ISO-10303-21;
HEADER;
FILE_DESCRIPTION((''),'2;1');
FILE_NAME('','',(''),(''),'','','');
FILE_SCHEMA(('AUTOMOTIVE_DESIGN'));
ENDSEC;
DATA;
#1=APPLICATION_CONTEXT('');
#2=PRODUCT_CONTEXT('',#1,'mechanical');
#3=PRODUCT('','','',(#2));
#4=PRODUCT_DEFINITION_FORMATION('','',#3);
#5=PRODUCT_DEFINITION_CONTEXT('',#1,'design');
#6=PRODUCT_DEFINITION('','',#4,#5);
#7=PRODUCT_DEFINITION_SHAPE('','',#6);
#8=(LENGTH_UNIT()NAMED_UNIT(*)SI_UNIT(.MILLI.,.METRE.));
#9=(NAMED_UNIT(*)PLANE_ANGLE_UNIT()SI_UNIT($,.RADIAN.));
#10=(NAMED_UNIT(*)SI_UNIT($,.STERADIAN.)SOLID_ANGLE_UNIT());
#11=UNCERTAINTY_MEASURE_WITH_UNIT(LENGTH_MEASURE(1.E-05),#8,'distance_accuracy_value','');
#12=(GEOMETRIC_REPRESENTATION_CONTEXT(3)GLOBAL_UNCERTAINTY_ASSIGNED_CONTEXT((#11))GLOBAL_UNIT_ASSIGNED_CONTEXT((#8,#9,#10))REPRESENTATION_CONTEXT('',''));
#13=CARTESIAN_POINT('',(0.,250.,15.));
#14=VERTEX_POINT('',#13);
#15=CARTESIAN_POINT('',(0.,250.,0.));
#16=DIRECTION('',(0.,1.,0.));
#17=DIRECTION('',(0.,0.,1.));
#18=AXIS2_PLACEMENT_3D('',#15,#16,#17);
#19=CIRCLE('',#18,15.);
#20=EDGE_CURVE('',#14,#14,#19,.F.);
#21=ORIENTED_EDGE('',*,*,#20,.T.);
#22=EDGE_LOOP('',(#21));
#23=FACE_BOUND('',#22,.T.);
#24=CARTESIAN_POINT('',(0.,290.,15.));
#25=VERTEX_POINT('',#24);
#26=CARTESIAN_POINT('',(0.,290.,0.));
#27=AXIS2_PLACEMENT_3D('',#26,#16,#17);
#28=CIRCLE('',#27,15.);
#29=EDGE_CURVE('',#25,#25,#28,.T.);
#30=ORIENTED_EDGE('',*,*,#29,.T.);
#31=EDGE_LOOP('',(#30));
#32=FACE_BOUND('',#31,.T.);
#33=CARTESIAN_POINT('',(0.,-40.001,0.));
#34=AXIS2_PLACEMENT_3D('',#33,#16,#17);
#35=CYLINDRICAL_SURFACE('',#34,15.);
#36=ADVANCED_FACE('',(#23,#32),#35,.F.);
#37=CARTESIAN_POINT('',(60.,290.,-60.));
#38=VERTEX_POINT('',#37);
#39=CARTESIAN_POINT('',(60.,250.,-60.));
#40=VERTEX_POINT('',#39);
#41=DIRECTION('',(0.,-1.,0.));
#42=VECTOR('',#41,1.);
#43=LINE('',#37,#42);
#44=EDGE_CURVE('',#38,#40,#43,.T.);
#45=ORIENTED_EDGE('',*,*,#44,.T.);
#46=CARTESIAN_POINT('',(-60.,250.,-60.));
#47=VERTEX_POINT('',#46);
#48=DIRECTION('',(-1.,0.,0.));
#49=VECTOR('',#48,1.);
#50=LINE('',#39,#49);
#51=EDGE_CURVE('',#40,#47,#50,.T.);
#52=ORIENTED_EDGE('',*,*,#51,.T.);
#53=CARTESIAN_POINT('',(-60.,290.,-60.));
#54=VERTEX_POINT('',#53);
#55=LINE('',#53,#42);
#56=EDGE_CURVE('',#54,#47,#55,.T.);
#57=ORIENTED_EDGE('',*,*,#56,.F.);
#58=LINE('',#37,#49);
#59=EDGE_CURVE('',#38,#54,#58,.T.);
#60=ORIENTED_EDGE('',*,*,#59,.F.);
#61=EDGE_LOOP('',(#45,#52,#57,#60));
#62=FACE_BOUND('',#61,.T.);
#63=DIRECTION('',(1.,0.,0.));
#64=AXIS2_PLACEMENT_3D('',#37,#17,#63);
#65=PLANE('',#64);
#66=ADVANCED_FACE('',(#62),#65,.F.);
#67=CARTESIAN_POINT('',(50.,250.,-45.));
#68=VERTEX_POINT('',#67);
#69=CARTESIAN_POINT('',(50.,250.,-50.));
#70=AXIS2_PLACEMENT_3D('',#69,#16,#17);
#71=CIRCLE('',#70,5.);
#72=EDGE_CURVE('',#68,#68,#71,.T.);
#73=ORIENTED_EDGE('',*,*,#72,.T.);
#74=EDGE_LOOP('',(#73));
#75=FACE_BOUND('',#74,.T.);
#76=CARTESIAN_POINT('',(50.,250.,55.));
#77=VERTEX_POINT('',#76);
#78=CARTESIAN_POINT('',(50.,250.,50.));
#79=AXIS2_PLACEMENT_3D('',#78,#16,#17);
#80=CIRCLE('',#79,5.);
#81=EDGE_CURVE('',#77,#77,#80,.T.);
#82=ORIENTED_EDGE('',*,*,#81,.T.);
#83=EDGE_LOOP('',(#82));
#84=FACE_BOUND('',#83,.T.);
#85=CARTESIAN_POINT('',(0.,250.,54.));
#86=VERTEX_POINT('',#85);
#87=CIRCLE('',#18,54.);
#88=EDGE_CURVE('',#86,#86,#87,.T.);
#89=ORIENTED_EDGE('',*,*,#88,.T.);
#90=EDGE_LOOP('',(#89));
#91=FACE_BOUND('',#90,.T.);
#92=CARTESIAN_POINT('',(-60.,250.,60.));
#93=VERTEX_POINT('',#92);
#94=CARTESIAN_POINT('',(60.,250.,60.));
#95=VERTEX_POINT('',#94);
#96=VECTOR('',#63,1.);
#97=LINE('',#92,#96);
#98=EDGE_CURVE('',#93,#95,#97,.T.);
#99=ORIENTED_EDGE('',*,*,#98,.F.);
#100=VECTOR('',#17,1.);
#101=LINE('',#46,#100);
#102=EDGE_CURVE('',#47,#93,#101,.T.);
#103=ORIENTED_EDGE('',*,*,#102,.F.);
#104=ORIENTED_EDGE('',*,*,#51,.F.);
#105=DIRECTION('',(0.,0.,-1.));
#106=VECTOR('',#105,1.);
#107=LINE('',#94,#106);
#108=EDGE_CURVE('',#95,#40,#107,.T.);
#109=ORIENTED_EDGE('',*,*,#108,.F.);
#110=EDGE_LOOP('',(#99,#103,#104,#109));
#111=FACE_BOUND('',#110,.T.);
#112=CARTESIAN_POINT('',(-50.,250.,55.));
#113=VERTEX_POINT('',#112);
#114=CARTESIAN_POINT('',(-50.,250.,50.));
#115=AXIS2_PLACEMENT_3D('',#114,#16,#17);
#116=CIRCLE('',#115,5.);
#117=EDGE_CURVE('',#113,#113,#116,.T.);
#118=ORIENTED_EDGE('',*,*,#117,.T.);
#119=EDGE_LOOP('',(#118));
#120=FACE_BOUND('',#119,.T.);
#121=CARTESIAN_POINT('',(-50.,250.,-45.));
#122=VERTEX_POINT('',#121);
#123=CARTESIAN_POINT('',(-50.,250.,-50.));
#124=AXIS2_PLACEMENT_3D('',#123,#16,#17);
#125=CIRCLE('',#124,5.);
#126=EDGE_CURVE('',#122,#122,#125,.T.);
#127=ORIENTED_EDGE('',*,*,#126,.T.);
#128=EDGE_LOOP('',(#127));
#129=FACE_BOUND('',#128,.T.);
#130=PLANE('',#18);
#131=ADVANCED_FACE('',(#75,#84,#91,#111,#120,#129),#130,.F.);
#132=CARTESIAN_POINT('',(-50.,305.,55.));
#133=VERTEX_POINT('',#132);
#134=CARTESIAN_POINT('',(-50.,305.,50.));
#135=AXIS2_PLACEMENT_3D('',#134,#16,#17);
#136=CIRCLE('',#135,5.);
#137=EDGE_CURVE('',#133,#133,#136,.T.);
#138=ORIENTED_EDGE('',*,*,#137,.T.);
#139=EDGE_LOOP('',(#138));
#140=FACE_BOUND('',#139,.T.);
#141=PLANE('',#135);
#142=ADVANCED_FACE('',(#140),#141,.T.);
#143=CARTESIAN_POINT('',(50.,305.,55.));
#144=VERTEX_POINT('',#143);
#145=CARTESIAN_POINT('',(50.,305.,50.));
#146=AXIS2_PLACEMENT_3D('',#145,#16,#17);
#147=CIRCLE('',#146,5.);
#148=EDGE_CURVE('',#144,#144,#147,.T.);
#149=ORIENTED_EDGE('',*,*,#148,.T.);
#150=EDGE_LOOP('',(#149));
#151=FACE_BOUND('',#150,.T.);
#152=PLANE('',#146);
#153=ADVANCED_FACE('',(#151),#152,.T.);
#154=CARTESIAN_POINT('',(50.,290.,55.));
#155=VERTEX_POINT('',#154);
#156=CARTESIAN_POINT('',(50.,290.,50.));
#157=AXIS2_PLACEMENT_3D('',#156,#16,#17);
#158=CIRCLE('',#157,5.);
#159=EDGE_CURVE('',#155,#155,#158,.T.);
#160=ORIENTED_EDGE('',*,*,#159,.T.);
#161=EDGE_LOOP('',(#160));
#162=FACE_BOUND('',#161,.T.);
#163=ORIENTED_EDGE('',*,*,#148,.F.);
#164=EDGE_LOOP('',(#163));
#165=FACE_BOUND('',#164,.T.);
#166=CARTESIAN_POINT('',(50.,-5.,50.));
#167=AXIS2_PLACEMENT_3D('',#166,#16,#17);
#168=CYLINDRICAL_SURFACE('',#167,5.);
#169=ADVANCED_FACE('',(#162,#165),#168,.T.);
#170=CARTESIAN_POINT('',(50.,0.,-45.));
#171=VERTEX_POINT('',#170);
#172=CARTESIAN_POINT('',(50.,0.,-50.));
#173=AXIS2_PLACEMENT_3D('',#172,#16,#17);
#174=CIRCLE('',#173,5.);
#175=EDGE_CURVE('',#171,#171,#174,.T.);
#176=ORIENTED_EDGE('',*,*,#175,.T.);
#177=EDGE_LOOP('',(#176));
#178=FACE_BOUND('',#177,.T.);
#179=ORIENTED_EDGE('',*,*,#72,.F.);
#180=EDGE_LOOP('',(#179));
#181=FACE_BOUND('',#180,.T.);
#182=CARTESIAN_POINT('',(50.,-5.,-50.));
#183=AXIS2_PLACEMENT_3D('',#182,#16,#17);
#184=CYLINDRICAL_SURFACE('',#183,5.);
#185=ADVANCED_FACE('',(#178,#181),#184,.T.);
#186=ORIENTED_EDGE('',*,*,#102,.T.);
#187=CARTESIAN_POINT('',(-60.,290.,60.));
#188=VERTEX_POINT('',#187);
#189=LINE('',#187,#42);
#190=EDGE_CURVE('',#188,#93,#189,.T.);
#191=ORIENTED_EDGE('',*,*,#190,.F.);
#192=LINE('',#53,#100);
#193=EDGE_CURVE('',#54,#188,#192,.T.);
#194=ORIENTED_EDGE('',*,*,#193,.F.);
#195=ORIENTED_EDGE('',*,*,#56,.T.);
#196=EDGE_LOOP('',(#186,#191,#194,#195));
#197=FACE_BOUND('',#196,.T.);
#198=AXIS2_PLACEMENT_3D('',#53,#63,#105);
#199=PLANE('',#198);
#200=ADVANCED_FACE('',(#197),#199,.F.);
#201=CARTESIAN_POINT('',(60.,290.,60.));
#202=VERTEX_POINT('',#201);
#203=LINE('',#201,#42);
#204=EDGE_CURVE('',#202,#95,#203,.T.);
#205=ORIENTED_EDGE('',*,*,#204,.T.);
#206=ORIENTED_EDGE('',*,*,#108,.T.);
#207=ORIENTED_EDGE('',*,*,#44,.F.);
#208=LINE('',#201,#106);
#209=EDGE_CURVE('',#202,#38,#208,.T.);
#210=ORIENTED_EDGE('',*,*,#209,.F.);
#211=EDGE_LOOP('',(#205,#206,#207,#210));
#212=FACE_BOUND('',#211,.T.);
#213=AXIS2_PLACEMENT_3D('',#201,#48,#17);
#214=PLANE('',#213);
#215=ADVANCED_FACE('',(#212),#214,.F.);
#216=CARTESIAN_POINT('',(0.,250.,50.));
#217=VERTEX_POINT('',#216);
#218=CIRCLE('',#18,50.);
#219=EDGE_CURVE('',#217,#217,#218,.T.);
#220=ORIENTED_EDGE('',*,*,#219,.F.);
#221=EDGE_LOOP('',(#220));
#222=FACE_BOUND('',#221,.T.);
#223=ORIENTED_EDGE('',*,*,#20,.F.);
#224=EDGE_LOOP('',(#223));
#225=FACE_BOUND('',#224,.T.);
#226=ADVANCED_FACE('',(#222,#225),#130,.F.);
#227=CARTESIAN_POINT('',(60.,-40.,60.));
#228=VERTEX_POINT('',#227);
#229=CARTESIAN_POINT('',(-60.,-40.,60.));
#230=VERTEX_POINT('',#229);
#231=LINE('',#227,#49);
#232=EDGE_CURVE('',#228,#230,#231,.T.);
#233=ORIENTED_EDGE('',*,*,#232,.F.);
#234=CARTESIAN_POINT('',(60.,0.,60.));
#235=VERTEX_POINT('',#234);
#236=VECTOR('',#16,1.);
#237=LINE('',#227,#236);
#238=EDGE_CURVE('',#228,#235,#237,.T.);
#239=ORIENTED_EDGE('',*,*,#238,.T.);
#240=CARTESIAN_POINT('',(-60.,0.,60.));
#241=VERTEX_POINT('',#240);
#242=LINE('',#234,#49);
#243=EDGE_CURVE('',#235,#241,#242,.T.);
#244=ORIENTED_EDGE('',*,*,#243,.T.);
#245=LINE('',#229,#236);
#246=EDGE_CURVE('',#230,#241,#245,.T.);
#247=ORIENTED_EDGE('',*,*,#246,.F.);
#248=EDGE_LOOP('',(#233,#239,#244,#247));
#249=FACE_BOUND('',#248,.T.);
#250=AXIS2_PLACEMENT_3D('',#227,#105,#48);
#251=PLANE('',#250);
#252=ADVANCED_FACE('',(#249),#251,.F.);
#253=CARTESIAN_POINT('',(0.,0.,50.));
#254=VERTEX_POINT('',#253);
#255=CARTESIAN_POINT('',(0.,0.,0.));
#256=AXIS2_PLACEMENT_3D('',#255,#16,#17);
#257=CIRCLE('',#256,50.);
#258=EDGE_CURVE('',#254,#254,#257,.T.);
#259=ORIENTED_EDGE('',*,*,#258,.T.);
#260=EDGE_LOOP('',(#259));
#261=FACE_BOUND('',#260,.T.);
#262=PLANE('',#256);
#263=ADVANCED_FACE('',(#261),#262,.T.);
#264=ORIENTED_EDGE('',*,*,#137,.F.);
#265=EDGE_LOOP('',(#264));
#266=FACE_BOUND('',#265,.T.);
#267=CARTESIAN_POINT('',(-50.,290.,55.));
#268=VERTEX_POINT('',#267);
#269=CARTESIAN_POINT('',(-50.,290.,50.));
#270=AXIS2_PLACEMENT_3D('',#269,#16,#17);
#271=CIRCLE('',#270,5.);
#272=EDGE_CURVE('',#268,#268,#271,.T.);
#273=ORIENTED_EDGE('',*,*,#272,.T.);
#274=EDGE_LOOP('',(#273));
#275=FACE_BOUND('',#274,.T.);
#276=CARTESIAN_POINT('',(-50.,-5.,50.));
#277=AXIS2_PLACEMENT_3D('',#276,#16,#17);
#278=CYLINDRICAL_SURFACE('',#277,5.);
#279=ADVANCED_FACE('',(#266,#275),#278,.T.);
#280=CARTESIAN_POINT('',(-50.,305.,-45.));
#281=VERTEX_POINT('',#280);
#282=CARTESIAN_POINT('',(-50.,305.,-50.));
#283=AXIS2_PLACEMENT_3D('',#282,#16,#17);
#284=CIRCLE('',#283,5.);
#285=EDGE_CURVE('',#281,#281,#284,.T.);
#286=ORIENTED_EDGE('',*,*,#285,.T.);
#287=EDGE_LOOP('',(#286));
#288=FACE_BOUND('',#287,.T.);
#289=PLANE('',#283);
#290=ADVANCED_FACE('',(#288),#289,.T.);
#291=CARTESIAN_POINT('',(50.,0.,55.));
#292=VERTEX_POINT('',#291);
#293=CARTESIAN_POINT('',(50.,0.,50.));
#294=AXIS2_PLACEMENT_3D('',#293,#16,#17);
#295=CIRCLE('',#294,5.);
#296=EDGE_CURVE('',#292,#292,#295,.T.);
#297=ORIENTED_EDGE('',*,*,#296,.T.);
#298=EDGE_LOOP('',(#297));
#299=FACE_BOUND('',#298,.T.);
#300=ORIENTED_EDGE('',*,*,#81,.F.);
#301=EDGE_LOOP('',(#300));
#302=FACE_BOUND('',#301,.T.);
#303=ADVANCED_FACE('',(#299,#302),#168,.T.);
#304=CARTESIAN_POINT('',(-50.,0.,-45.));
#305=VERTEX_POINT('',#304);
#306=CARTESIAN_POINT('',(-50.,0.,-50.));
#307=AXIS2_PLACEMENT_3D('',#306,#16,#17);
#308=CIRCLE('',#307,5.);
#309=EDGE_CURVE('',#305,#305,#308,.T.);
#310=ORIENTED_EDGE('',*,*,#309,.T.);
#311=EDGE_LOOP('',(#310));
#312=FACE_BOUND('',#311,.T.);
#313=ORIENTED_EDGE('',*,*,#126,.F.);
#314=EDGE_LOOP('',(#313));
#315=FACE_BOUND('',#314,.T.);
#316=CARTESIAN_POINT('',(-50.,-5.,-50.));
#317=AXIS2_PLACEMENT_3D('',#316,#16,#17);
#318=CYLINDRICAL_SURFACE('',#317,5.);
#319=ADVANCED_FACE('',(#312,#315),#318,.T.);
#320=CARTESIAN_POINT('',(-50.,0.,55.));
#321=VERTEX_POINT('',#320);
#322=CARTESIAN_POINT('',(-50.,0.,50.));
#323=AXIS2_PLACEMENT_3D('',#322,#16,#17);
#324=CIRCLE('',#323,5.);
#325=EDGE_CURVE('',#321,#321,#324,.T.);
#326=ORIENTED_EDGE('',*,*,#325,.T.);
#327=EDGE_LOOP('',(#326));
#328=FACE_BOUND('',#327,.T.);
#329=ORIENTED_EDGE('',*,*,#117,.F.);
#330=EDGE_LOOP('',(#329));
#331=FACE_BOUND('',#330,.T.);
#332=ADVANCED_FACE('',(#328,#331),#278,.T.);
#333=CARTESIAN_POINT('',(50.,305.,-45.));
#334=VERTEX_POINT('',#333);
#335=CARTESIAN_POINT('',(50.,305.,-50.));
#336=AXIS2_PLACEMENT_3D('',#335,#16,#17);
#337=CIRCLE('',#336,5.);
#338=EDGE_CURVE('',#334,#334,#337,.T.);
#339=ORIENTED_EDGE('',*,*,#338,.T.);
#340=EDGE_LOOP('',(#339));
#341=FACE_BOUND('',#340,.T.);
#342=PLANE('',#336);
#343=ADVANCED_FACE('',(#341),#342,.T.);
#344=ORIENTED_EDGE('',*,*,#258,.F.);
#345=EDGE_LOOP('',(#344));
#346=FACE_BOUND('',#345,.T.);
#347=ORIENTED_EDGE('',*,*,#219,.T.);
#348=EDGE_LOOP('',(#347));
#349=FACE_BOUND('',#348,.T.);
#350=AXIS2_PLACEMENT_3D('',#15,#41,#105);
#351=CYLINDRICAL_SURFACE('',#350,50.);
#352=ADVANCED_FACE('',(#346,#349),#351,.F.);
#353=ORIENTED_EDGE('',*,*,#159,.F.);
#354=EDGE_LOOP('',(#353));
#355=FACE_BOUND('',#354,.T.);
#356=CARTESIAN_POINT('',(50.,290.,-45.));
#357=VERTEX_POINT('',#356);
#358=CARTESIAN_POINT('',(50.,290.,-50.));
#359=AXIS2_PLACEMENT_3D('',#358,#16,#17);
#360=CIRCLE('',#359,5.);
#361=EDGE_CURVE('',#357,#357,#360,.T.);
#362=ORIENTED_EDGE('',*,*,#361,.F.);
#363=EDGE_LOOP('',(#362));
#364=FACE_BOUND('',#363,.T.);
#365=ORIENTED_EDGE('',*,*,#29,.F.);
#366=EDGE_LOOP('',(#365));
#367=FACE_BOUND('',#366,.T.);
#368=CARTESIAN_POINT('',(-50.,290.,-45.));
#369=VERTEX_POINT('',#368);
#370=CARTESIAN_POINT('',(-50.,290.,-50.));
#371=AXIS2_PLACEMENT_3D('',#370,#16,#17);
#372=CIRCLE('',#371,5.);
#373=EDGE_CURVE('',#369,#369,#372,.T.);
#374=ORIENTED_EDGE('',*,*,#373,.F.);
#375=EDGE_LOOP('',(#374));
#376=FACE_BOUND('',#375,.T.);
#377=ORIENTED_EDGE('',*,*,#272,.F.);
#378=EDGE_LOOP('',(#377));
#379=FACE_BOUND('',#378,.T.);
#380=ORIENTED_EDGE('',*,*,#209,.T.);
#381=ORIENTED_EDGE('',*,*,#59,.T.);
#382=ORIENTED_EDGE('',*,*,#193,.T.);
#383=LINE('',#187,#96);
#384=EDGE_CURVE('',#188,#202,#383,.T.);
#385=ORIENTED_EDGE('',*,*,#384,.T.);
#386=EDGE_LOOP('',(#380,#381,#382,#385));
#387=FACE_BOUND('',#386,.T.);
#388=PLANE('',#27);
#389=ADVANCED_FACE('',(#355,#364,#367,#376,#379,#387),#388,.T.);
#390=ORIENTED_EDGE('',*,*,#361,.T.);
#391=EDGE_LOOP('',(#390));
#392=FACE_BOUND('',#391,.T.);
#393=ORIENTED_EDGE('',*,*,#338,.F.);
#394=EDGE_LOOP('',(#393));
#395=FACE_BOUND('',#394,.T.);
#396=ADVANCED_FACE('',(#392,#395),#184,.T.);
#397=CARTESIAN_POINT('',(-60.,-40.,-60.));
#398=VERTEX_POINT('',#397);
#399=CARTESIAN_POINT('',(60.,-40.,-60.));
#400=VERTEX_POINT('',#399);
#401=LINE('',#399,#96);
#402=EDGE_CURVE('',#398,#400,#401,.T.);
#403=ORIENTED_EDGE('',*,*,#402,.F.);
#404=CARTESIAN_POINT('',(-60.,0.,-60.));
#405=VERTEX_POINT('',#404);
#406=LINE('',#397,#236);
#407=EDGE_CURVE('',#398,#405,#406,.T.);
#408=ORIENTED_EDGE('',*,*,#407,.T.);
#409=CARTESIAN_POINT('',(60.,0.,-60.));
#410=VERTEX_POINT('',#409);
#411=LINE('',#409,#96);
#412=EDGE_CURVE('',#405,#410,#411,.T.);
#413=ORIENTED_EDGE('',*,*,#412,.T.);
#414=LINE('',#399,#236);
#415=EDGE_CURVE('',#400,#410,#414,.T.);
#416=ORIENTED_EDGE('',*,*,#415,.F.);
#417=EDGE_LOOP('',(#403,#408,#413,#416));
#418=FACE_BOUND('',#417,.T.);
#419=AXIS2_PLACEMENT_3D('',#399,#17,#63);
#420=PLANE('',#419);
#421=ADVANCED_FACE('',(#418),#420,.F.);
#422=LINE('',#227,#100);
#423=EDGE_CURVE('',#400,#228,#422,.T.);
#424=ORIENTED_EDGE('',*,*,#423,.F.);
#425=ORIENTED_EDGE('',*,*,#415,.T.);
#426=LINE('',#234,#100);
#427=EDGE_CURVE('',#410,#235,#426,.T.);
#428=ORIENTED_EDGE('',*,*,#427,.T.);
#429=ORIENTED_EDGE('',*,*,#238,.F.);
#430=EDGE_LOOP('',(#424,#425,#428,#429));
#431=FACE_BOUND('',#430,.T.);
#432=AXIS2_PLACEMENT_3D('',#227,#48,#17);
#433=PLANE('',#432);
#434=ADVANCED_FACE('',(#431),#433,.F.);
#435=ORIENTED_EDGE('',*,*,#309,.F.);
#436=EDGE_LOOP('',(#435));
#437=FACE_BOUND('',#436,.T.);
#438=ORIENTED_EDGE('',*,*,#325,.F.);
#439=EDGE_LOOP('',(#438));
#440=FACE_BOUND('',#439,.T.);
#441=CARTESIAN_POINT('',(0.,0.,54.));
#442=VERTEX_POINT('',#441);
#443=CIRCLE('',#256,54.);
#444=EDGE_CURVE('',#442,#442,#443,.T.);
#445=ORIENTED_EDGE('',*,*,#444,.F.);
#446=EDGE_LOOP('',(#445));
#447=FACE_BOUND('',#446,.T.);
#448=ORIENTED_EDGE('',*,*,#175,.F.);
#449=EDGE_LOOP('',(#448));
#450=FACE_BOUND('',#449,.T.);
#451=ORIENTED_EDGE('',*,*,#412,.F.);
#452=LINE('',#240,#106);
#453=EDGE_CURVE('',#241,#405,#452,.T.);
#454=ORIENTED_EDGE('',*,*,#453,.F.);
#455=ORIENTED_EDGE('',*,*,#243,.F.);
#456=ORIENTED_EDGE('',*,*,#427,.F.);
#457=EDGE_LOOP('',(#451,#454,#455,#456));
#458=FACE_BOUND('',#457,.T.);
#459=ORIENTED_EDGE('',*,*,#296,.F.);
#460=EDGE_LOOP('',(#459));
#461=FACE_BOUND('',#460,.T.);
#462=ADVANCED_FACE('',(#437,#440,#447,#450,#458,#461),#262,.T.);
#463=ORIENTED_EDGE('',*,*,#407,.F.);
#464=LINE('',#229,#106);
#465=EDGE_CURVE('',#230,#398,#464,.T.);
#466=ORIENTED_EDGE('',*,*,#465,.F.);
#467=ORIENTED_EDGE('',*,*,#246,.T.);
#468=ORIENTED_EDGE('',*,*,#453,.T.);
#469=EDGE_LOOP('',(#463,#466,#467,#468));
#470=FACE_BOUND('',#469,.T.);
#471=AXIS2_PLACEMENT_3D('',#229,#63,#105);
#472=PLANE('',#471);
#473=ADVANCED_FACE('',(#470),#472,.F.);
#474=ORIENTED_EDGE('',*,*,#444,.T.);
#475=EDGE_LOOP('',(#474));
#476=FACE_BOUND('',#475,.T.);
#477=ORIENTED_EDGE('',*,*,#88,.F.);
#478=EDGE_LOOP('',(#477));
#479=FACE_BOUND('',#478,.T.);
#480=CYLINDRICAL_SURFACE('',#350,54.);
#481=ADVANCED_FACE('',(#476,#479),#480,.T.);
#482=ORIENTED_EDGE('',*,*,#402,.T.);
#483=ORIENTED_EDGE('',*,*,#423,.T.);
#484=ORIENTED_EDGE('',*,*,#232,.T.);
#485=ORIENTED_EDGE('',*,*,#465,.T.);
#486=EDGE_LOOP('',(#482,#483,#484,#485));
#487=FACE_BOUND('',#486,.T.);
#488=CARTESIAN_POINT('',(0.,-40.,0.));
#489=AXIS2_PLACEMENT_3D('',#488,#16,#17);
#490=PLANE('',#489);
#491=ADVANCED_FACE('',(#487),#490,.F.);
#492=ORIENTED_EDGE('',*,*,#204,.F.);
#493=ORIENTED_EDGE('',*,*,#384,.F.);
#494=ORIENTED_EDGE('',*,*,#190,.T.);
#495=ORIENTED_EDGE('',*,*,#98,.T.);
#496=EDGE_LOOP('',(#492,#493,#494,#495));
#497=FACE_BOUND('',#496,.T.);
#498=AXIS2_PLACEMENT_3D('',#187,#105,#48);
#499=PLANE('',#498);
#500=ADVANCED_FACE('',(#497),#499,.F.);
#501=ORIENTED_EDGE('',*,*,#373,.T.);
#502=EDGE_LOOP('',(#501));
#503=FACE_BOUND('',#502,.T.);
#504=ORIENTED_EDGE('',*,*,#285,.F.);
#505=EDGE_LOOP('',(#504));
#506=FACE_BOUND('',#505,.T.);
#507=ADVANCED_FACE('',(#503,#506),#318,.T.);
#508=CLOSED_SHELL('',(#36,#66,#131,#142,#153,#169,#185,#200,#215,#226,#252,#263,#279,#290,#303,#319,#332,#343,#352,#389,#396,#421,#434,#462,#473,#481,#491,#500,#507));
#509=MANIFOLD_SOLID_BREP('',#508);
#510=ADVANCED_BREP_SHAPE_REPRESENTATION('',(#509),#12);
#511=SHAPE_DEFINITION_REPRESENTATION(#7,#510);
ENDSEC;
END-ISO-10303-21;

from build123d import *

# Parameters (mm, degrees)
SKETCH1_R            = 54
SKETCH1_R_2          = 50
BOSS_EXTRUDE1_DEPTH  = 250
SKETCH2_W            = 120
SKETCH2_H            = 120
BOSS_EXTRUDE2_DEPTH  = 40
SKETCH3_W            = 120
SKETCH3_H            = 120
BOSS_EXTRUDE3_DEPTH  = 40
CUT_EXTRUDE1_REACH   = 332
SKETCH4_R            = 15
BOSS_EXTRUDE4_START  = -295
SKETCH5_R            = 5
BOSS_EXTRUDE4_DEPTH  = 310
LPATTERN1_COUNT      = 2
LPATTERN1_PITCH      = 100
LPATTERN1_COUNT_DIR2 = 2
LPATTERN1_PITCH_DIR2 = 100


with BuildPart() as part:
    # Sketch1 → Boss-Extrude1 (new body)
    with BuildSketch(Plane(origin=(0, 0, 0), x_dir=(1, 0, 0), z_dir=(0, 1, 0))):
        Circle(SKETCH1_R)
        Circle(SKETCH1_R_2, mode=Mode.SUBTRACT)
    extrude(amount=BOSS_EXTRUDE1_DEPTH)

    # Sketch2 → Boss-Extrude2 (add)
    with BuildSketch(Plane.XZ):
        Rectangle(SKETCH2_W, SKETCH2_H)
    extrude(amount=BOSS_EXTRUDE2_DEPTH)

    # Sketch3 → Boss-Extrude3 (add)
    with BuildSketch(Plane(origin=(0, 250, 0), x_dir=(1, 0, 0), z_dir=(0, 1, 0))):
        Rectangle(SKETCH3_W, SKETCH3_H)
    extrude(amount=BOSS_EXTRUDE3_DEPTH)

    # Sketch4 → Cut-Extrude1 (cut, up to next)
    with BuildSketch(Plane(origin=(0, 290, 0), x_dir=(1, 0, 0), z_dir=(0, 1, 0)), mode=Mode.PRIVATE) as cut_extrude1_sk1:
        Circle(SKETCH4_R)
    cut_extrude1_tool1 = extrude(cut_extrude1_sk1.sketch, amount=-CUT_EXTRUDE1_REACH, mode=Mode.PRIVATE) & part.part
    add(cut_extrude1_tool1.solids().sort_by_distance((0, 290, 0))[0], mode=Mode.SUBTRACT)

    # Sketch5 → Boss-Extrude4 (add)
    with BuildSketch(Plane(origin=(0, 290, 0), x_dir=(1, 0, 0), z_dir=(0, 1, 0)).offset(BOSS_EXTRUDE4_START)):
        with Locations((-50, 50)):
            Circle(SKETCH5_R)
    boss_extrude4 = extrude(amount=BOSS_EXTRUDE4_DEPTH)

    # LPattern1: Boss-Extrude4 2 × 2
    with Locations(*[(i * LPATTERN1_PITCH, 0, j * LPATTERN1_PITCH_DIR2) for i in range(LPATTERN1_COUNT) for j in range(LPATTERN1_COUNT_DIR2) if (i, j) != (0, 0)]):
        add(boss_extrude4)


solid = part.part
